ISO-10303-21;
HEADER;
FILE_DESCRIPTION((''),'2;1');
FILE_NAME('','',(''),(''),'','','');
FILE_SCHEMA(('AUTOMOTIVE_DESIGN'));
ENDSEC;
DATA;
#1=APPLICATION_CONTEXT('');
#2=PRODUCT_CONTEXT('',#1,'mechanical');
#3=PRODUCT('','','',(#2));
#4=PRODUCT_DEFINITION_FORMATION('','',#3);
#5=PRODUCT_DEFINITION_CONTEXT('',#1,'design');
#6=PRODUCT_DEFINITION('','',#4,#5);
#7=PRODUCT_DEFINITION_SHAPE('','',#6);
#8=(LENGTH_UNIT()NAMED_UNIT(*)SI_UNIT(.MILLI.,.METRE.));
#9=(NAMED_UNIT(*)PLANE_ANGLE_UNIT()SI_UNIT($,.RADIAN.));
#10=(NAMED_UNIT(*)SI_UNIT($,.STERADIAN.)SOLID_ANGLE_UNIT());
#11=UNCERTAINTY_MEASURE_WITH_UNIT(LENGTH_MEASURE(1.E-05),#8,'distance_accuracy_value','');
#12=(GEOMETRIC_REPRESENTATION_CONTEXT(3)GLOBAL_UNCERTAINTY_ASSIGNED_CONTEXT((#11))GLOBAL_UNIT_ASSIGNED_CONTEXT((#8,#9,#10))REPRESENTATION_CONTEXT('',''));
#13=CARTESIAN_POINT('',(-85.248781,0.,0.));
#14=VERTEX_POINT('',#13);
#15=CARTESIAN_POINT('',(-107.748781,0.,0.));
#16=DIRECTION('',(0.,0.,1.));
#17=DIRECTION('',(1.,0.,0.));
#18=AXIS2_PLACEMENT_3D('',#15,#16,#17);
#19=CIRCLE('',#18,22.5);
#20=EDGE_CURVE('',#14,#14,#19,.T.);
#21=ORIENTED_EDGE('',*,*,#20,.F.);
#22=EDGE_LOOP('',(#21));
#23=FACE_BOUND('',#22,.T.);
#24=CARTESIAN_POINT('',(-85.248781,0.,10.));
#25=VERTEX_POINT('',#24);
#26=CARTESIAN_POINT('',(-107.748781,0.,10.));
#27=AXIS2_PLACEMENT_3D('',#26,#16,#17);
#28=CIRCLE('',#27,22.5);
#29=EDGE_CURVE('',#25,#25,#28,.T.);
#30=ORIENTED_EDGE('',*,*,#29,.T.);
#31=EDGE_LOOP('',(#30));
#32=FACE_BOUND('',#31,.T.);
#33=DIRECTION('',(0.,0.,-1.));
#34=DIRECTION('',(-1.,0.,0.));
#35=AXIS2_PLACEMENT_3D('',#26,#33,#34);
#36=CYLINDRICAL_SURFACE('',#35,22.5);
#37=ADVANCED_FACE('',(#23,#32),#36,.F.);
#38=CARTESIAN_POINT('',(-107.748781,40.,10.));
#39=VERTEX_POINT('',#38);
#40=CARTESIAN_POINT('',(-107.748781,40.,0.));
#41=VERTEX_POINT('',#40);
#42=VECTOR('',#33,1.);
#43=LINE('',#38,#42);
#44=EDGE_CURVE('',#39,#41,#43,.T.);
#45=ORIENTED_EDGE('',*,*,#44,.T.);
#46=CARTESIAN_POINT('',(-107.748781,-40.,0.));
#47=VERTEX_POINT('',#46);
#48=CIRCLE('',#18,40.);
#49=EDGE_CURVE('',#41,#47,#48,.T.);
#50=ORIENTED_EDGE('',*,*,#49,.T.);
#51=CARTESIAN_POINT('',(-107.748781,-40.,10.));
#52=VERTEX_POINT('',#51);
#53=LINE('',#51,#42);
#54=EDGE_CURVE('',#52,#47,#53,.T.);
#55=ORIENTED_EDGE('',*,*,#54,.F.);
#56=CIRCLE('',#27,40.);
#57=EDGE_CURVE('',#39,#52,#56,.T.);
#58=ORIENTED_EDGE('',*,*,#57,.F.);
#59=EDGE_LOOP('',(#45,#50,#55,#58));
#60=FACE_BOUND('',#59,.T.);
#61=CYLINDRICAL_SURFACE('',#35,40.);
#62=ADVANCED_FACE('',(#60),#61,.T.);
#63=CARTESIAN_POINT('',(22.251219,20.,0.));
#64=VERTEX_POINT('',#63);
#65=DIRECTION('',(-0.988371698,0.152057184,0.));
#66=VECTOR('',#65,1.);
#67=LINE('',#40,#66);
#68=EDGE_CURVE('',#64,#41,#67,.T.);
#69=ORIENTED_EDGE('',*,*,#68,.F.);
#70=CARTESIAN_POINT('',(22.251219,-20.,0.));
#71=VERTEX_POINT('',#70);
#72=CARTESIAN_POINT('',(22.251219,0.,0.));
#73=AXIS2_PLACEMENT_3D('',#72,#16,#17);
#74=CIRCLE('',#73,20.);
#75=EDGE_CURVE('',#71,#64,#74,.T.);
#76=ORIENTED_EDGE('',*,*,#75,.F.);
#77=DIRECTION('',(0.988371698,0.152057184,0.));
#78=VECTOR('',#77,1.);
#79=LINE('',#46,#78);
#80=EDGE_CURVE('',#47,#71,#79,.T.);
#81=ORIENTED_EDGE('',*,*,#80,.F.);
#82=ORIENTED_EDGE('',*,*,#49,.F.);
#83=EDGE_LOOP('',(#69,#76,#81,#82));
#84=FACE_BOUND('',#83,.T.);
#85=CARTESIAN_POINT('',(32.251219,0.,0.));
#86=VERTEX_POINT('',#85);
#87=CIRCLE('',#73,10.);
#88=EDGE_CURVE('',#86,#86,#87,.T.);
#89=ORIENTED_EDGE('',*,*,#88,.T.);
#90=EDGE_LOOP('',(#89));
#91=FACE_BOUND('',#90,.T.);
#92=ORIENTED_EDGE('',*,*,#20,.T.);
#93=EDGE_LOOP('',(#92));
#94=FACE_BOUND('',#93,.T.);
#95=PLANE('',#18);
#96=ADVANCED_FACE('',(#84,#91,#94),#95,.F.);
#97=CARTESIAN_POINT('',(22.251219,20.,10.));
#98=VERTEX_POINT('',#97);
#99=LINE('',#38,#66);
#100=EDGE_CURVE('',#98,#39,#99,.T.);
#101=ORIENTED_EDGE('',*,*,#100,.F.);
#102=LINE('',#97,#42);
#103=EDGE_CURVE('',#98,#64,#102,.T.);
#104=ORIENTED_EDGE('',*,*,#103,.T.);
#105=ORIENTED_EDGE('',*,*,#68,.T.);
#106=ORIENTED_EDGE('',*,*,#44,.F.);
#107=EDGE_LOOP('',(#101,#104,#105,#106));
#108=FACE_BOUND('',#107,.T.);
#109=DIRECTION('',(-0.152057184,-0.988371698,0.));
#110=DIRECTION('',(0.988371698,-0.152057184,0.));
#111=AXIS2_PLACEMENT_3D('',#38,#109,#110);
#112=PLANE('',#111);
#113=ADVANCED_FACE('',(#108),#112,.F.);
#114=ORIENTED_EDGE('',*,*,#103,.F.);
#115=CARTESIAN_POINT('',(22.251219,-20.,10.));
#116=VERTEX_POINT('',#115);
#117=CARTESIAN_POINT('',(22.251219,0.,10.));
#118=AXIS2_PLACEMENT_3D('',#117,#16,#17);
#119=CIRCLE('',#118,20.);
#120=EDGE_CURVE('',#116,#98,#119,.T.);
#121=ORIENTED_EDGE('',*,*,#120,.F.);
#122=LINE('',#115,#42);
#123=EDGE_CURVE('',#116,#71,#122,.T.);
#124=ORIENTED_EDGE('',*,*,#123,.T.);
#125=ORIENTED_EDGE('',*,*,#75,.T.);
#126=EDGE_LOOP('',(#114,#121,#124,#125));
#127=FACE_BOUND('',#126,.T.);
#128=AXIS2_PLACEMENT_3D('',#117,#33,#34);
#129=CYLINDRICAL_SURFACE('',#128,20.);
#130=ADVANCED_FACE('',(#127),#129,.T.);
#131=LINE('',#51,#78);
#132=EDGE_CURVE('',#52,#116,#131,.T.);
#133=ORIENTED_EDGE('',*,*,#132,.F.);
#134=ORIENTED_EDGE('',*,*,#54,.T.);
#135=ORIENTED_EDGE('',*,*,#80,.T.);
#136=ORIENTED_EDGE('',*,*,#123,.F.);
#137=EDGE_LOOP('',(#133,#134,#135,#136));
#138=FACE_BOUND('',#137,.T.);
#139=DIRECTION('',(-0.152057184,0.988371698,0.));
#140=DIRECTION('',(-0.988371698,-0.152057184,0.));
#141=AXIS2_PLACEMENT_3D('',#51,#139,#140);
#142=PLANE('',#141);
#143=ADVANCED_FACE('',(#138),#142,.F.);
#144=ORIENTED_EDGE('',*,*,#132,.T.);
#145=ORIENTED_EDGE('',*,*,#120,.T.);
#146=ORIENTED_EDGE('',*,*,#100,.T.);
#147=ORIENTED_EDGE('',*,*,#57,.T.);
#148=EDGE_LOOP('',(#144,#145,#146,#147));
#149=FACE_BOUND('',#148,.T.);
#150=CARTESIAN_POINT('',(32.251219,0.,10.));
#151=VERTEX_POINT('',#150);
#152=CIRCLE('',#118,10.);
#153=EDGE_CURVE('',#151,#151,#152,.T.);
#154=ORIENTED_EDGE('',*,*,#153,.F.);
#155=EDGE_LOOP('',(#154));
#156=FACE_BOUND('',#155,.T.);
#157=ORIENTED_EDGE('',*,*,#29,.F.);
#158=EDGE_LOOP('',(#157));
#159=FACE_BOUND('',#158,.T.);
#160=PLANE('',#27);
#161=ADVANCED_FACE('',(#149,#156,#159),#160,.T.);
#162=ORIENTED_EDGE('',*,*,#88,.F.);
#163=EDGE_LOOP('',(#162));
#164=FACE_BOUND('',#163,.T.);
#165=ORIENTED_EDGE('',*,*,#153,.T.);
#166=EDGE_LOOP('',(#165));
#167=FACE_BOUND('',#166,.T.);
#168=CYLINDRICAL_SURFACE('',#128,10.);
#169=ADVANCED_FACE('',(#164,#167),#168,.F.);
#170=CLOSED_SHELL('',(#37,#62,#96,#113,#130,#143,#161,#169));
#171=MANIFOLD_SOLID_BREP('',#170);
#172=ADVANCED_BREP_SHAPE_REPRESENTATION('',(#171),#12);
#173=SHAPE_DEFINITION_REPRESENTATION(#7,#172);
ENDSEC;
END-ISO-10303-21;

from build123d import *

# Parameters (mm, degrees)
SKETCH3_R           = 22.5
SKETCH3_R_2         = 10
BOSS_EXTRUDE1_DEPTH = 10


with BuildPart() as part:
    # Sketch3 → Boss-Extrude1 (new body)
    with BuildSketch(Plane.XY):
        with BuildLine():
            Line((-107.748780519, 40), (22.251219481, 20))
            ThreePointArc((22.251219481, 20), (42.251219481, 0), (22.251219481, -20))
            Line((22.251219481, -20), (-107.748780519, -40))
            ThreePointArc((-107.748780519, -40), (-147.748780519, 0), (-107.748780519, 40))
        make_face()
        with Locations((-107.748780519, 0)):
            Circle(SKETCH3_R, mode=Mode.SUBTRACT)
        with Locations((22.251219481, 0)):
            Circle(SKETCH3_R_2, mode=Mode.SUBTRACT)
    extrude(amount=BOSS_EXTRUDE1_DEPTH)


solid = part.part
